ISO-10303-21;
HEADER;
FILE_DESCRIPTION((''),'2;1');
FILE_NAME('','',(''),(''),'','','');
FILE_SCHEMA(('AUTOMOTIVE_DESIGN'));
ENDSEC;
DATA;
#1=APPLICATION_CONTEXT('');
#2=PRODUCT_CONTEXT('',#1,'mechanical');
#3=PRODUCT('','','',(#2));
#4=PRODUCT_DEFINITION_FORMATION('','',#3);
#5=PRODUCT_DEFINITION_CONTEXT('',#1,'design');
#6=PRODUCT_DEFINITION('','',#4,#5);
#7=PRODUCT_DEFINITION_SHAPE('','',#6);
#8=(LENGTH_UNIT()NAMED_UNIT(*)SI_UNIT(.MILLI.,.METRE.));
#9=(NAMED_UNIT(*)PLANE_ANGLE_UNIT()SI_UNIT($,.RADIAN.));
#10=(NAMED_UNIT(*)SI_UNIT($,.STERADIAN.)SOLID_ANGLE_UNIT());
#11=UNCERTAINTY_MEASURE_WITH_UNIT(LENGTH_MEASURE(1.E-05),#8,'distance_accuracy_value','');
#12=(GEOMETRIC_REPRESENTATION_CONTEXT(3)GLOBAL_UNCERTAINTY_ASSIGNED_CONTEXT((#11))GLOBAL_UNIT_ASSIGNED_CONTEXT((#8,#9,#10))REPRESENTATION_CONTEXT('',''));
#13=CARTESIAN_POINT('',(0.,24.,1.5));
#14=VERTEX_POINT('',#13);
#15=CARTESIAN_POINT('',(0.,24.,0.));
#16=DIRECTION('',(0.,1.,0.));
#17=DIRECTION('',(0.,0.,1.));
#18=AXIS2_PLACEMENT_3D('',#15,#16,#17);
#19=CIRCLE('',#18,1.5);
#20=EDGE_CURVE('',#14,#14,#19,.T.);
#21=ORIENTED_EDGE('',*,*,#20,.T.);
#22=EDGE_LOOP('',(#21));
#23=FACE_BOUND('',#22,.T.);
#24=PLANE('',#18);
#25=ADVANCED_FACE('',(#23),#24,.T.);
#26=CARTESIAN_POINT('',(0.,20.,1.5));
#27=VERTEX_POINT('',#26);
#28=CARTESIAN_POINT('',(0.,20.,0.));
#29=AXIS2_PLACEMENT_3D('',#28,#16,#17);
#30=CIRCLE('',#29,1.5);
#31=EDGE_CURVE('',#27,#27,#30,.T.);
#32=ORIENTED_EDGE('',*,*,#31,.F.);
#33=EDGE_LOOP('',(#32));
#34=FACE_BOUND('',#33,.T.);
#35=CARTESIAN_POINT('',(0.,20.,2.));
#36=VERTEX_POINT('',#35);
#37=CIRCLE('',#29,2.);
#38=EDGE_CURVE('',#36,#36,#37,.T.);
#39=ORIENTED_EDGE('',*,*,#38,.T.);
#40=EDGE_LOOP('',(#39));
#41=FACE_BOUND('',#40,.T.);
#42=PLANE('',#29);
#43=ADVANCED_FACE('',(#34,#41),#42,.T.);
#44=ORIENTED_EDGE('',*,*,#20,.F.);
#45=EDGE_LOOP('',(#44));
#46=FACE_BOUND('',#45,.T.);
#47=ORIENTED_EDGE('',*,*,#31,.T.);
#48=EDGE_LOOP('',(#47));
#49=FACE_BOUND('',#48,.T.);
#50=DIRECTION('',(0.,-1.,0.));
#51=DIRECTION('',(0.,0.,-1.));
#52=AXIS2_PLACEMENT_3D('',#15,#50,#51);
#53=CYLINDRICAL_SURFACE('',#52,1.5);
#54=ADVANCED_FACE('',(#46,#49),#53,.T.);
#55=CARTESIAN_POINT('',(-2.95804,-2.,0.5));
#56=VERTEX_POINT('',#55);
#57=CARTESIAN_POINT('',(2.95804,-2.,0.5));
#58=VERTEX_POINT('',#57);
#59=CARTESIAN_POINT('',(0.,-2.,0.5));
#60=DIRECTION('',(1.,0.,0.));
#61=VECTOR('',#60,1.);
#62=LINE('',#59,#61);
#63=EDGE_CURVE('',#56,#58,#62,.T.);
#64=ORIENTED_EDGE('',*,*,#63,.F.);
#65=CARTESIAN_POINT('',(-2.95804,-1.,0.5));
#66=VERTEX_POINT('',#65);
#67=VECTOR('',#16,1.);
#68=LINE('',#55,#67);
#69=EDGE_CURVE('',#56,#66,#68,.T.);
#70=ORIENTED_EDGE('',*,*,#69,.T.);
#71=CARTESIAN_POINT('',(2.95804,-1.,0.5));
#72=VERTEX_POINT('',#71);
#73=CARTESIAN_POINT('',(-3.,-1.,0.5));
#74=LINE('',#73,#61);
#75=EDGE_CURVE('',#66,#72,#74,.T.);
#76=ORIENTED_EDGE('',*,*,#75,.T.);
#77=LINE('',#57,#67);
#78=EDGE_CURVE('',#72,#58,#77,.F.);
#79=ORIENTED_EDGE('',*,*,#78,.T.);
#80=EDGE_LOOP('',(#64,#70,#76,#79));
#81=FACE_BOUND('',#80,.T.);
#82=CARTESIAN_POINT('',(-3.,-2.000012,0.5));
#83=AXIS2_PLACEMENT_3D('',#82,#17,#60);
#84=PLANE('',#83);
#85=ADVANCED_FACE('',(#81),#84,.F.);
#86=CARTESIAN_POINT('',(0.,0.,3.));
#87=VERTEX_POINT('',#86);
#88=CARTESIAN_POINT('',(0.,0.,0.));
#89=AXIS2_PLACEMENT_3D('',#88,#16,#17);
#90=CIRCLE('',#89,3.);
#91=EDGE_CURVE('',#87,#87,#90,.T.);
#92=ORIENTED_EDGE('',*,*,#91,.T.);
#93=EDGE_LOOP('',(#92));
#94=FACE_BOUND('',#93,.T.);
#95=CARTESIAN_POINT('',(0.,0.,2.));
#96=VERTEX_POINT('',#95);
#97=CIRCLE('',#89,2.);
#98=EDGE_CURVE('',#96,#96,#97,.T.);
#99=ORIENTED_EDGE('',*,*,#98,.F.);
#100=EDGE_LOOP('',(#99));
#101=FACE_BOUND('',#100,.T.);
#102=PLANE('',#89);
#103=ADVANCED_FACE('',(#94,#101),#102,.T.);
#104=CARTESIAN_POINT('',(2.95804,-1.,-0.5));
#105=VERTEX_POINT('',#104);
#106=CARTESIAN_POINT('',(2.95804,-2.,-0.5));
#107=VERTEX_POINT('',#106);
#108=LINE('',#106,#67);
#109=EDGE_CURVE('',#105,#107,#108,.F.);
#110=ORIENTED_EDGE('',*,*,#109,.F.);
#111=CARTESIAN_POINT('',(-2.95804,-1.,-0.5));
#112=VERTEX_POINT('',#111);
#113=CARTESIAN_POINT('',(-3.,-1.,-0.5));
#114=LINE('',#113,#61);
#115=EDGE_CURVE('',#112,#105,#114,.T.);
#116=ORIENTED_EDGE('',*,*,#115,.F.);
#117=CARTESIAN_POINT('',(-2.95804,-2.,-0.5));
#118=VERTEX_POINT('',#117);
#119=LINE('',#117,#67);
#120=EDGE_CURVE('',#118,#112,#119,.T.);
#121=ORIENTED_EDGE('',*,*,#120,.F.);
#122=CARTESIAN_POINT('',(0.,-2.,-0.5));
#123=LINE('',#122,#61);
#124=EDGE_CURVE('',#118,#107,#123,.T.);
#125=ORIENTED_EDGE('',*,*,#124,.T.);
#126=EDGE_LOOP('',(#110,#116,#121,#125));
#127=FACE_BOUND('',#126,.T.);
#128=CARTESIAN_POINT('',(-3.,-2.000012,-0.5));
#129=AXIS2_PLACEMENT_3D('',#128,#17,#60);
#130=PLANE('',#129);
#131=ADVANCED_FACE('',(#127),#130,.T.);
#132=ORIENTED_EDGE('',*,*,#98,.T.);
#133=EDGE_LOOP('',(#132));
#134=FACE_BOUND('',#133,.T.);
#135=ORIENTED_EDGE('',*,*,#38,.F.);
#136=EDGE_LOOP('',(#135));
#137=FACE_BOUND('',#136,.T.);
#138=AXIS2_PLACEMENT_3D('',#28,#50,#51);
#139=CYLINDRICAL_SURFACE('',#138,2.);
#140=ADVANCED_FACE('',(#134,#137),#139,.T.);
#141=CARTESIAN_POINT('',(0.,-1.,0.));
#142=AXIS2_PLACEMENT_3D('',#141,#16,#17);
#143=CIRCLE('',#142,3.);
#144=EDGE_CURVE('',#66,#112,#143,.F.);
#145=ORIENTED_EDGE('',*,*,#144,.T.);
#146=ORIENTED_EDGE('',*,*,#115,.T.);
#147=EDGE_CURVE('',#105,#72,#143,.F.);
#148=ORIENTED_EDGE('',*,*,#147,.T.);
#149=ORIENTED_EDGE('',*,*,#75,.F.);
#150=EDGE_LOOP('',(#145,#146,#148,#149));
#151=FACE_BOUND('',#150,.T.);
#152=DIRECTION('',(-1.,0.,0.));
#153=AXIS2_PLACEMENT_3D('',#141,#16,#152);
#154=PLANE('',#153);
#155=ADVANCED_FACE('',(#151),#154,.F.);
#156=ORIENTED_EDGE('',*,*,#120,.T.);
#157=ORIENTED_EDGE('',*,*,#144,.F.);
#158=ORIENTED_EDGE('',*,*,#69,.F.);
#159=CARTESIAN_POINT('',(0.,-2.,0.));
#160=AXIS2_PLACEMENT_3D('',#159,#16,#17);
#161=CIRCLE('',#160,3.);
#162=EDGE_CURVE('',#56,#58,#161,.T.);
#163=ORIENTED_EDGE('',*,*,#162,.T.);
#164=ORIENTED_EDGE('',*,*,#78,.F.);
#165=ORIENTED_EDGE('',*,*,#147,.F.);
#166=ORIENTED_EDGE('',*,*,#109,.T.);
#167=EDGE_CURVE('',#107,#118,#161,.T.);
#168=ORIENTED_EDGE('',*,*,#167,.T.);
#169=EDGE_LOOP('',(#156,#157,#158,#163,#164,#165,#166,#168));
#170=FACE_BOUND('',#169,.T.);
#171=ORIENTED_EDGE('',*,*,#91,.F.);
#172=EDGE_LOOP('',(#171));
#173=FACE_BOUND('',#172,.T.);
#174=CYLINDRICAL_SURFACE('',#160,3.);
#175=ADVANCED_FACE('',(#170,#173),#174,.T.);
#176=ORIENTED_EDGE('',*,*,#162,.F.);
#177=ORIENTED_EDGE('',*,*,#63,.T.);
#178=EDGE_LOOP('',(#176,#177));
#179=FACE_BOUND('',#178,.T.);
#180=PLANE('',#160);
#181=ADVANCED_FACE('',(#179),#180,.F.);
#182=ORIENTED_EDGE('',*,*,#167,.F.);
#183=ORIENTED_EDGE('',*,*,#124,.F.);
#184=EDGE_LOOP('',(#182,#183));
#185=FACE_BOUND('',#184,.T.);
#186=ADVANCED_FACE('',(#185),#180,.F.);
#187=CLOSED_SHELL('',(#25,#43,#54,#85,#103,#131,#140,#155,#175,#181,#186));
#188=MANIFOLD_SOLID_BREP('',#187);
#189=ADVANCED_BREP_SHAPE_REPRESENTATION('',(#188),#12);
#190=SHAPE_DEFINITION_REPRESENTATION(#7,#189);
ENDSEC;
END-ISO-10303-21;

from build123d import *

# Parameters (mm, degrees)
SKETCH_1_R               = 3
EXTRUDE_1_DEPTH          = 2
SKETCH_2_R               = 2
EXTRUDE_2_DEPTH          = 20
SKETCH_3_R               = 1.5
EXTRUDE_3_DEPTH          = 4
CUT_EXTRUDE_1_DEPTH      = 27.343879745
CUT_EXTRUDE_1_DEPTH_BACK = 1
SKETCH_4_W               = 6
SKETCH_4_H               = 1


with BuildPart() as part:
    # 草图1 → 凸台-拉伸1 (new body)
    with BuildSketch(Plane(origin=(0, 0, 0), x_dir=(1, 0, 0), z_dir=(0, 1, 0))):
        Circle(SKETCH_1_R)
    extrude(amount=-EXTRUDE_1_DEPTH)

    # 草图2 → 凸台-拉伸2 (add)
    with BuildSketch(Plane(origin=(0, 0, 0), x_dir=(1, 0, 0), z_dir=(0, 1, 0))):
        Circle(SKETCH_2_R)
    extrude(amount=EXTRUDE_2_DEPTH)

    # 草图3 → 凸台-拉伸3 (add)
    with BuildSketch(Plane(origin=(0, 20, 0), x_dir=(1, 0, 0), z_dir=(0, 1, 0))):
        Circle(SKETCH_3_R)
    extrude(amount=EXTRUDE_3_DEPTH)

    # 草图4 → 切除-拉伸-薄壁1 (cut, two sides: drawn at the far end of the back side and taken through both)
    with BuildSketch(Plane.XZ.offset(2).offset(-CUT_EXTRUDE_1_DEPTH_BACK)):
        Rectangle(SKETCH_4_W, SKETCH_4_H)
    extrude(amount=CUT_EXTRUDE_1_DEPTH + CUT_EXTRUDE_1_DEPTH_BACK, mode=Mode.SUBTRACT)


solid = part.part
